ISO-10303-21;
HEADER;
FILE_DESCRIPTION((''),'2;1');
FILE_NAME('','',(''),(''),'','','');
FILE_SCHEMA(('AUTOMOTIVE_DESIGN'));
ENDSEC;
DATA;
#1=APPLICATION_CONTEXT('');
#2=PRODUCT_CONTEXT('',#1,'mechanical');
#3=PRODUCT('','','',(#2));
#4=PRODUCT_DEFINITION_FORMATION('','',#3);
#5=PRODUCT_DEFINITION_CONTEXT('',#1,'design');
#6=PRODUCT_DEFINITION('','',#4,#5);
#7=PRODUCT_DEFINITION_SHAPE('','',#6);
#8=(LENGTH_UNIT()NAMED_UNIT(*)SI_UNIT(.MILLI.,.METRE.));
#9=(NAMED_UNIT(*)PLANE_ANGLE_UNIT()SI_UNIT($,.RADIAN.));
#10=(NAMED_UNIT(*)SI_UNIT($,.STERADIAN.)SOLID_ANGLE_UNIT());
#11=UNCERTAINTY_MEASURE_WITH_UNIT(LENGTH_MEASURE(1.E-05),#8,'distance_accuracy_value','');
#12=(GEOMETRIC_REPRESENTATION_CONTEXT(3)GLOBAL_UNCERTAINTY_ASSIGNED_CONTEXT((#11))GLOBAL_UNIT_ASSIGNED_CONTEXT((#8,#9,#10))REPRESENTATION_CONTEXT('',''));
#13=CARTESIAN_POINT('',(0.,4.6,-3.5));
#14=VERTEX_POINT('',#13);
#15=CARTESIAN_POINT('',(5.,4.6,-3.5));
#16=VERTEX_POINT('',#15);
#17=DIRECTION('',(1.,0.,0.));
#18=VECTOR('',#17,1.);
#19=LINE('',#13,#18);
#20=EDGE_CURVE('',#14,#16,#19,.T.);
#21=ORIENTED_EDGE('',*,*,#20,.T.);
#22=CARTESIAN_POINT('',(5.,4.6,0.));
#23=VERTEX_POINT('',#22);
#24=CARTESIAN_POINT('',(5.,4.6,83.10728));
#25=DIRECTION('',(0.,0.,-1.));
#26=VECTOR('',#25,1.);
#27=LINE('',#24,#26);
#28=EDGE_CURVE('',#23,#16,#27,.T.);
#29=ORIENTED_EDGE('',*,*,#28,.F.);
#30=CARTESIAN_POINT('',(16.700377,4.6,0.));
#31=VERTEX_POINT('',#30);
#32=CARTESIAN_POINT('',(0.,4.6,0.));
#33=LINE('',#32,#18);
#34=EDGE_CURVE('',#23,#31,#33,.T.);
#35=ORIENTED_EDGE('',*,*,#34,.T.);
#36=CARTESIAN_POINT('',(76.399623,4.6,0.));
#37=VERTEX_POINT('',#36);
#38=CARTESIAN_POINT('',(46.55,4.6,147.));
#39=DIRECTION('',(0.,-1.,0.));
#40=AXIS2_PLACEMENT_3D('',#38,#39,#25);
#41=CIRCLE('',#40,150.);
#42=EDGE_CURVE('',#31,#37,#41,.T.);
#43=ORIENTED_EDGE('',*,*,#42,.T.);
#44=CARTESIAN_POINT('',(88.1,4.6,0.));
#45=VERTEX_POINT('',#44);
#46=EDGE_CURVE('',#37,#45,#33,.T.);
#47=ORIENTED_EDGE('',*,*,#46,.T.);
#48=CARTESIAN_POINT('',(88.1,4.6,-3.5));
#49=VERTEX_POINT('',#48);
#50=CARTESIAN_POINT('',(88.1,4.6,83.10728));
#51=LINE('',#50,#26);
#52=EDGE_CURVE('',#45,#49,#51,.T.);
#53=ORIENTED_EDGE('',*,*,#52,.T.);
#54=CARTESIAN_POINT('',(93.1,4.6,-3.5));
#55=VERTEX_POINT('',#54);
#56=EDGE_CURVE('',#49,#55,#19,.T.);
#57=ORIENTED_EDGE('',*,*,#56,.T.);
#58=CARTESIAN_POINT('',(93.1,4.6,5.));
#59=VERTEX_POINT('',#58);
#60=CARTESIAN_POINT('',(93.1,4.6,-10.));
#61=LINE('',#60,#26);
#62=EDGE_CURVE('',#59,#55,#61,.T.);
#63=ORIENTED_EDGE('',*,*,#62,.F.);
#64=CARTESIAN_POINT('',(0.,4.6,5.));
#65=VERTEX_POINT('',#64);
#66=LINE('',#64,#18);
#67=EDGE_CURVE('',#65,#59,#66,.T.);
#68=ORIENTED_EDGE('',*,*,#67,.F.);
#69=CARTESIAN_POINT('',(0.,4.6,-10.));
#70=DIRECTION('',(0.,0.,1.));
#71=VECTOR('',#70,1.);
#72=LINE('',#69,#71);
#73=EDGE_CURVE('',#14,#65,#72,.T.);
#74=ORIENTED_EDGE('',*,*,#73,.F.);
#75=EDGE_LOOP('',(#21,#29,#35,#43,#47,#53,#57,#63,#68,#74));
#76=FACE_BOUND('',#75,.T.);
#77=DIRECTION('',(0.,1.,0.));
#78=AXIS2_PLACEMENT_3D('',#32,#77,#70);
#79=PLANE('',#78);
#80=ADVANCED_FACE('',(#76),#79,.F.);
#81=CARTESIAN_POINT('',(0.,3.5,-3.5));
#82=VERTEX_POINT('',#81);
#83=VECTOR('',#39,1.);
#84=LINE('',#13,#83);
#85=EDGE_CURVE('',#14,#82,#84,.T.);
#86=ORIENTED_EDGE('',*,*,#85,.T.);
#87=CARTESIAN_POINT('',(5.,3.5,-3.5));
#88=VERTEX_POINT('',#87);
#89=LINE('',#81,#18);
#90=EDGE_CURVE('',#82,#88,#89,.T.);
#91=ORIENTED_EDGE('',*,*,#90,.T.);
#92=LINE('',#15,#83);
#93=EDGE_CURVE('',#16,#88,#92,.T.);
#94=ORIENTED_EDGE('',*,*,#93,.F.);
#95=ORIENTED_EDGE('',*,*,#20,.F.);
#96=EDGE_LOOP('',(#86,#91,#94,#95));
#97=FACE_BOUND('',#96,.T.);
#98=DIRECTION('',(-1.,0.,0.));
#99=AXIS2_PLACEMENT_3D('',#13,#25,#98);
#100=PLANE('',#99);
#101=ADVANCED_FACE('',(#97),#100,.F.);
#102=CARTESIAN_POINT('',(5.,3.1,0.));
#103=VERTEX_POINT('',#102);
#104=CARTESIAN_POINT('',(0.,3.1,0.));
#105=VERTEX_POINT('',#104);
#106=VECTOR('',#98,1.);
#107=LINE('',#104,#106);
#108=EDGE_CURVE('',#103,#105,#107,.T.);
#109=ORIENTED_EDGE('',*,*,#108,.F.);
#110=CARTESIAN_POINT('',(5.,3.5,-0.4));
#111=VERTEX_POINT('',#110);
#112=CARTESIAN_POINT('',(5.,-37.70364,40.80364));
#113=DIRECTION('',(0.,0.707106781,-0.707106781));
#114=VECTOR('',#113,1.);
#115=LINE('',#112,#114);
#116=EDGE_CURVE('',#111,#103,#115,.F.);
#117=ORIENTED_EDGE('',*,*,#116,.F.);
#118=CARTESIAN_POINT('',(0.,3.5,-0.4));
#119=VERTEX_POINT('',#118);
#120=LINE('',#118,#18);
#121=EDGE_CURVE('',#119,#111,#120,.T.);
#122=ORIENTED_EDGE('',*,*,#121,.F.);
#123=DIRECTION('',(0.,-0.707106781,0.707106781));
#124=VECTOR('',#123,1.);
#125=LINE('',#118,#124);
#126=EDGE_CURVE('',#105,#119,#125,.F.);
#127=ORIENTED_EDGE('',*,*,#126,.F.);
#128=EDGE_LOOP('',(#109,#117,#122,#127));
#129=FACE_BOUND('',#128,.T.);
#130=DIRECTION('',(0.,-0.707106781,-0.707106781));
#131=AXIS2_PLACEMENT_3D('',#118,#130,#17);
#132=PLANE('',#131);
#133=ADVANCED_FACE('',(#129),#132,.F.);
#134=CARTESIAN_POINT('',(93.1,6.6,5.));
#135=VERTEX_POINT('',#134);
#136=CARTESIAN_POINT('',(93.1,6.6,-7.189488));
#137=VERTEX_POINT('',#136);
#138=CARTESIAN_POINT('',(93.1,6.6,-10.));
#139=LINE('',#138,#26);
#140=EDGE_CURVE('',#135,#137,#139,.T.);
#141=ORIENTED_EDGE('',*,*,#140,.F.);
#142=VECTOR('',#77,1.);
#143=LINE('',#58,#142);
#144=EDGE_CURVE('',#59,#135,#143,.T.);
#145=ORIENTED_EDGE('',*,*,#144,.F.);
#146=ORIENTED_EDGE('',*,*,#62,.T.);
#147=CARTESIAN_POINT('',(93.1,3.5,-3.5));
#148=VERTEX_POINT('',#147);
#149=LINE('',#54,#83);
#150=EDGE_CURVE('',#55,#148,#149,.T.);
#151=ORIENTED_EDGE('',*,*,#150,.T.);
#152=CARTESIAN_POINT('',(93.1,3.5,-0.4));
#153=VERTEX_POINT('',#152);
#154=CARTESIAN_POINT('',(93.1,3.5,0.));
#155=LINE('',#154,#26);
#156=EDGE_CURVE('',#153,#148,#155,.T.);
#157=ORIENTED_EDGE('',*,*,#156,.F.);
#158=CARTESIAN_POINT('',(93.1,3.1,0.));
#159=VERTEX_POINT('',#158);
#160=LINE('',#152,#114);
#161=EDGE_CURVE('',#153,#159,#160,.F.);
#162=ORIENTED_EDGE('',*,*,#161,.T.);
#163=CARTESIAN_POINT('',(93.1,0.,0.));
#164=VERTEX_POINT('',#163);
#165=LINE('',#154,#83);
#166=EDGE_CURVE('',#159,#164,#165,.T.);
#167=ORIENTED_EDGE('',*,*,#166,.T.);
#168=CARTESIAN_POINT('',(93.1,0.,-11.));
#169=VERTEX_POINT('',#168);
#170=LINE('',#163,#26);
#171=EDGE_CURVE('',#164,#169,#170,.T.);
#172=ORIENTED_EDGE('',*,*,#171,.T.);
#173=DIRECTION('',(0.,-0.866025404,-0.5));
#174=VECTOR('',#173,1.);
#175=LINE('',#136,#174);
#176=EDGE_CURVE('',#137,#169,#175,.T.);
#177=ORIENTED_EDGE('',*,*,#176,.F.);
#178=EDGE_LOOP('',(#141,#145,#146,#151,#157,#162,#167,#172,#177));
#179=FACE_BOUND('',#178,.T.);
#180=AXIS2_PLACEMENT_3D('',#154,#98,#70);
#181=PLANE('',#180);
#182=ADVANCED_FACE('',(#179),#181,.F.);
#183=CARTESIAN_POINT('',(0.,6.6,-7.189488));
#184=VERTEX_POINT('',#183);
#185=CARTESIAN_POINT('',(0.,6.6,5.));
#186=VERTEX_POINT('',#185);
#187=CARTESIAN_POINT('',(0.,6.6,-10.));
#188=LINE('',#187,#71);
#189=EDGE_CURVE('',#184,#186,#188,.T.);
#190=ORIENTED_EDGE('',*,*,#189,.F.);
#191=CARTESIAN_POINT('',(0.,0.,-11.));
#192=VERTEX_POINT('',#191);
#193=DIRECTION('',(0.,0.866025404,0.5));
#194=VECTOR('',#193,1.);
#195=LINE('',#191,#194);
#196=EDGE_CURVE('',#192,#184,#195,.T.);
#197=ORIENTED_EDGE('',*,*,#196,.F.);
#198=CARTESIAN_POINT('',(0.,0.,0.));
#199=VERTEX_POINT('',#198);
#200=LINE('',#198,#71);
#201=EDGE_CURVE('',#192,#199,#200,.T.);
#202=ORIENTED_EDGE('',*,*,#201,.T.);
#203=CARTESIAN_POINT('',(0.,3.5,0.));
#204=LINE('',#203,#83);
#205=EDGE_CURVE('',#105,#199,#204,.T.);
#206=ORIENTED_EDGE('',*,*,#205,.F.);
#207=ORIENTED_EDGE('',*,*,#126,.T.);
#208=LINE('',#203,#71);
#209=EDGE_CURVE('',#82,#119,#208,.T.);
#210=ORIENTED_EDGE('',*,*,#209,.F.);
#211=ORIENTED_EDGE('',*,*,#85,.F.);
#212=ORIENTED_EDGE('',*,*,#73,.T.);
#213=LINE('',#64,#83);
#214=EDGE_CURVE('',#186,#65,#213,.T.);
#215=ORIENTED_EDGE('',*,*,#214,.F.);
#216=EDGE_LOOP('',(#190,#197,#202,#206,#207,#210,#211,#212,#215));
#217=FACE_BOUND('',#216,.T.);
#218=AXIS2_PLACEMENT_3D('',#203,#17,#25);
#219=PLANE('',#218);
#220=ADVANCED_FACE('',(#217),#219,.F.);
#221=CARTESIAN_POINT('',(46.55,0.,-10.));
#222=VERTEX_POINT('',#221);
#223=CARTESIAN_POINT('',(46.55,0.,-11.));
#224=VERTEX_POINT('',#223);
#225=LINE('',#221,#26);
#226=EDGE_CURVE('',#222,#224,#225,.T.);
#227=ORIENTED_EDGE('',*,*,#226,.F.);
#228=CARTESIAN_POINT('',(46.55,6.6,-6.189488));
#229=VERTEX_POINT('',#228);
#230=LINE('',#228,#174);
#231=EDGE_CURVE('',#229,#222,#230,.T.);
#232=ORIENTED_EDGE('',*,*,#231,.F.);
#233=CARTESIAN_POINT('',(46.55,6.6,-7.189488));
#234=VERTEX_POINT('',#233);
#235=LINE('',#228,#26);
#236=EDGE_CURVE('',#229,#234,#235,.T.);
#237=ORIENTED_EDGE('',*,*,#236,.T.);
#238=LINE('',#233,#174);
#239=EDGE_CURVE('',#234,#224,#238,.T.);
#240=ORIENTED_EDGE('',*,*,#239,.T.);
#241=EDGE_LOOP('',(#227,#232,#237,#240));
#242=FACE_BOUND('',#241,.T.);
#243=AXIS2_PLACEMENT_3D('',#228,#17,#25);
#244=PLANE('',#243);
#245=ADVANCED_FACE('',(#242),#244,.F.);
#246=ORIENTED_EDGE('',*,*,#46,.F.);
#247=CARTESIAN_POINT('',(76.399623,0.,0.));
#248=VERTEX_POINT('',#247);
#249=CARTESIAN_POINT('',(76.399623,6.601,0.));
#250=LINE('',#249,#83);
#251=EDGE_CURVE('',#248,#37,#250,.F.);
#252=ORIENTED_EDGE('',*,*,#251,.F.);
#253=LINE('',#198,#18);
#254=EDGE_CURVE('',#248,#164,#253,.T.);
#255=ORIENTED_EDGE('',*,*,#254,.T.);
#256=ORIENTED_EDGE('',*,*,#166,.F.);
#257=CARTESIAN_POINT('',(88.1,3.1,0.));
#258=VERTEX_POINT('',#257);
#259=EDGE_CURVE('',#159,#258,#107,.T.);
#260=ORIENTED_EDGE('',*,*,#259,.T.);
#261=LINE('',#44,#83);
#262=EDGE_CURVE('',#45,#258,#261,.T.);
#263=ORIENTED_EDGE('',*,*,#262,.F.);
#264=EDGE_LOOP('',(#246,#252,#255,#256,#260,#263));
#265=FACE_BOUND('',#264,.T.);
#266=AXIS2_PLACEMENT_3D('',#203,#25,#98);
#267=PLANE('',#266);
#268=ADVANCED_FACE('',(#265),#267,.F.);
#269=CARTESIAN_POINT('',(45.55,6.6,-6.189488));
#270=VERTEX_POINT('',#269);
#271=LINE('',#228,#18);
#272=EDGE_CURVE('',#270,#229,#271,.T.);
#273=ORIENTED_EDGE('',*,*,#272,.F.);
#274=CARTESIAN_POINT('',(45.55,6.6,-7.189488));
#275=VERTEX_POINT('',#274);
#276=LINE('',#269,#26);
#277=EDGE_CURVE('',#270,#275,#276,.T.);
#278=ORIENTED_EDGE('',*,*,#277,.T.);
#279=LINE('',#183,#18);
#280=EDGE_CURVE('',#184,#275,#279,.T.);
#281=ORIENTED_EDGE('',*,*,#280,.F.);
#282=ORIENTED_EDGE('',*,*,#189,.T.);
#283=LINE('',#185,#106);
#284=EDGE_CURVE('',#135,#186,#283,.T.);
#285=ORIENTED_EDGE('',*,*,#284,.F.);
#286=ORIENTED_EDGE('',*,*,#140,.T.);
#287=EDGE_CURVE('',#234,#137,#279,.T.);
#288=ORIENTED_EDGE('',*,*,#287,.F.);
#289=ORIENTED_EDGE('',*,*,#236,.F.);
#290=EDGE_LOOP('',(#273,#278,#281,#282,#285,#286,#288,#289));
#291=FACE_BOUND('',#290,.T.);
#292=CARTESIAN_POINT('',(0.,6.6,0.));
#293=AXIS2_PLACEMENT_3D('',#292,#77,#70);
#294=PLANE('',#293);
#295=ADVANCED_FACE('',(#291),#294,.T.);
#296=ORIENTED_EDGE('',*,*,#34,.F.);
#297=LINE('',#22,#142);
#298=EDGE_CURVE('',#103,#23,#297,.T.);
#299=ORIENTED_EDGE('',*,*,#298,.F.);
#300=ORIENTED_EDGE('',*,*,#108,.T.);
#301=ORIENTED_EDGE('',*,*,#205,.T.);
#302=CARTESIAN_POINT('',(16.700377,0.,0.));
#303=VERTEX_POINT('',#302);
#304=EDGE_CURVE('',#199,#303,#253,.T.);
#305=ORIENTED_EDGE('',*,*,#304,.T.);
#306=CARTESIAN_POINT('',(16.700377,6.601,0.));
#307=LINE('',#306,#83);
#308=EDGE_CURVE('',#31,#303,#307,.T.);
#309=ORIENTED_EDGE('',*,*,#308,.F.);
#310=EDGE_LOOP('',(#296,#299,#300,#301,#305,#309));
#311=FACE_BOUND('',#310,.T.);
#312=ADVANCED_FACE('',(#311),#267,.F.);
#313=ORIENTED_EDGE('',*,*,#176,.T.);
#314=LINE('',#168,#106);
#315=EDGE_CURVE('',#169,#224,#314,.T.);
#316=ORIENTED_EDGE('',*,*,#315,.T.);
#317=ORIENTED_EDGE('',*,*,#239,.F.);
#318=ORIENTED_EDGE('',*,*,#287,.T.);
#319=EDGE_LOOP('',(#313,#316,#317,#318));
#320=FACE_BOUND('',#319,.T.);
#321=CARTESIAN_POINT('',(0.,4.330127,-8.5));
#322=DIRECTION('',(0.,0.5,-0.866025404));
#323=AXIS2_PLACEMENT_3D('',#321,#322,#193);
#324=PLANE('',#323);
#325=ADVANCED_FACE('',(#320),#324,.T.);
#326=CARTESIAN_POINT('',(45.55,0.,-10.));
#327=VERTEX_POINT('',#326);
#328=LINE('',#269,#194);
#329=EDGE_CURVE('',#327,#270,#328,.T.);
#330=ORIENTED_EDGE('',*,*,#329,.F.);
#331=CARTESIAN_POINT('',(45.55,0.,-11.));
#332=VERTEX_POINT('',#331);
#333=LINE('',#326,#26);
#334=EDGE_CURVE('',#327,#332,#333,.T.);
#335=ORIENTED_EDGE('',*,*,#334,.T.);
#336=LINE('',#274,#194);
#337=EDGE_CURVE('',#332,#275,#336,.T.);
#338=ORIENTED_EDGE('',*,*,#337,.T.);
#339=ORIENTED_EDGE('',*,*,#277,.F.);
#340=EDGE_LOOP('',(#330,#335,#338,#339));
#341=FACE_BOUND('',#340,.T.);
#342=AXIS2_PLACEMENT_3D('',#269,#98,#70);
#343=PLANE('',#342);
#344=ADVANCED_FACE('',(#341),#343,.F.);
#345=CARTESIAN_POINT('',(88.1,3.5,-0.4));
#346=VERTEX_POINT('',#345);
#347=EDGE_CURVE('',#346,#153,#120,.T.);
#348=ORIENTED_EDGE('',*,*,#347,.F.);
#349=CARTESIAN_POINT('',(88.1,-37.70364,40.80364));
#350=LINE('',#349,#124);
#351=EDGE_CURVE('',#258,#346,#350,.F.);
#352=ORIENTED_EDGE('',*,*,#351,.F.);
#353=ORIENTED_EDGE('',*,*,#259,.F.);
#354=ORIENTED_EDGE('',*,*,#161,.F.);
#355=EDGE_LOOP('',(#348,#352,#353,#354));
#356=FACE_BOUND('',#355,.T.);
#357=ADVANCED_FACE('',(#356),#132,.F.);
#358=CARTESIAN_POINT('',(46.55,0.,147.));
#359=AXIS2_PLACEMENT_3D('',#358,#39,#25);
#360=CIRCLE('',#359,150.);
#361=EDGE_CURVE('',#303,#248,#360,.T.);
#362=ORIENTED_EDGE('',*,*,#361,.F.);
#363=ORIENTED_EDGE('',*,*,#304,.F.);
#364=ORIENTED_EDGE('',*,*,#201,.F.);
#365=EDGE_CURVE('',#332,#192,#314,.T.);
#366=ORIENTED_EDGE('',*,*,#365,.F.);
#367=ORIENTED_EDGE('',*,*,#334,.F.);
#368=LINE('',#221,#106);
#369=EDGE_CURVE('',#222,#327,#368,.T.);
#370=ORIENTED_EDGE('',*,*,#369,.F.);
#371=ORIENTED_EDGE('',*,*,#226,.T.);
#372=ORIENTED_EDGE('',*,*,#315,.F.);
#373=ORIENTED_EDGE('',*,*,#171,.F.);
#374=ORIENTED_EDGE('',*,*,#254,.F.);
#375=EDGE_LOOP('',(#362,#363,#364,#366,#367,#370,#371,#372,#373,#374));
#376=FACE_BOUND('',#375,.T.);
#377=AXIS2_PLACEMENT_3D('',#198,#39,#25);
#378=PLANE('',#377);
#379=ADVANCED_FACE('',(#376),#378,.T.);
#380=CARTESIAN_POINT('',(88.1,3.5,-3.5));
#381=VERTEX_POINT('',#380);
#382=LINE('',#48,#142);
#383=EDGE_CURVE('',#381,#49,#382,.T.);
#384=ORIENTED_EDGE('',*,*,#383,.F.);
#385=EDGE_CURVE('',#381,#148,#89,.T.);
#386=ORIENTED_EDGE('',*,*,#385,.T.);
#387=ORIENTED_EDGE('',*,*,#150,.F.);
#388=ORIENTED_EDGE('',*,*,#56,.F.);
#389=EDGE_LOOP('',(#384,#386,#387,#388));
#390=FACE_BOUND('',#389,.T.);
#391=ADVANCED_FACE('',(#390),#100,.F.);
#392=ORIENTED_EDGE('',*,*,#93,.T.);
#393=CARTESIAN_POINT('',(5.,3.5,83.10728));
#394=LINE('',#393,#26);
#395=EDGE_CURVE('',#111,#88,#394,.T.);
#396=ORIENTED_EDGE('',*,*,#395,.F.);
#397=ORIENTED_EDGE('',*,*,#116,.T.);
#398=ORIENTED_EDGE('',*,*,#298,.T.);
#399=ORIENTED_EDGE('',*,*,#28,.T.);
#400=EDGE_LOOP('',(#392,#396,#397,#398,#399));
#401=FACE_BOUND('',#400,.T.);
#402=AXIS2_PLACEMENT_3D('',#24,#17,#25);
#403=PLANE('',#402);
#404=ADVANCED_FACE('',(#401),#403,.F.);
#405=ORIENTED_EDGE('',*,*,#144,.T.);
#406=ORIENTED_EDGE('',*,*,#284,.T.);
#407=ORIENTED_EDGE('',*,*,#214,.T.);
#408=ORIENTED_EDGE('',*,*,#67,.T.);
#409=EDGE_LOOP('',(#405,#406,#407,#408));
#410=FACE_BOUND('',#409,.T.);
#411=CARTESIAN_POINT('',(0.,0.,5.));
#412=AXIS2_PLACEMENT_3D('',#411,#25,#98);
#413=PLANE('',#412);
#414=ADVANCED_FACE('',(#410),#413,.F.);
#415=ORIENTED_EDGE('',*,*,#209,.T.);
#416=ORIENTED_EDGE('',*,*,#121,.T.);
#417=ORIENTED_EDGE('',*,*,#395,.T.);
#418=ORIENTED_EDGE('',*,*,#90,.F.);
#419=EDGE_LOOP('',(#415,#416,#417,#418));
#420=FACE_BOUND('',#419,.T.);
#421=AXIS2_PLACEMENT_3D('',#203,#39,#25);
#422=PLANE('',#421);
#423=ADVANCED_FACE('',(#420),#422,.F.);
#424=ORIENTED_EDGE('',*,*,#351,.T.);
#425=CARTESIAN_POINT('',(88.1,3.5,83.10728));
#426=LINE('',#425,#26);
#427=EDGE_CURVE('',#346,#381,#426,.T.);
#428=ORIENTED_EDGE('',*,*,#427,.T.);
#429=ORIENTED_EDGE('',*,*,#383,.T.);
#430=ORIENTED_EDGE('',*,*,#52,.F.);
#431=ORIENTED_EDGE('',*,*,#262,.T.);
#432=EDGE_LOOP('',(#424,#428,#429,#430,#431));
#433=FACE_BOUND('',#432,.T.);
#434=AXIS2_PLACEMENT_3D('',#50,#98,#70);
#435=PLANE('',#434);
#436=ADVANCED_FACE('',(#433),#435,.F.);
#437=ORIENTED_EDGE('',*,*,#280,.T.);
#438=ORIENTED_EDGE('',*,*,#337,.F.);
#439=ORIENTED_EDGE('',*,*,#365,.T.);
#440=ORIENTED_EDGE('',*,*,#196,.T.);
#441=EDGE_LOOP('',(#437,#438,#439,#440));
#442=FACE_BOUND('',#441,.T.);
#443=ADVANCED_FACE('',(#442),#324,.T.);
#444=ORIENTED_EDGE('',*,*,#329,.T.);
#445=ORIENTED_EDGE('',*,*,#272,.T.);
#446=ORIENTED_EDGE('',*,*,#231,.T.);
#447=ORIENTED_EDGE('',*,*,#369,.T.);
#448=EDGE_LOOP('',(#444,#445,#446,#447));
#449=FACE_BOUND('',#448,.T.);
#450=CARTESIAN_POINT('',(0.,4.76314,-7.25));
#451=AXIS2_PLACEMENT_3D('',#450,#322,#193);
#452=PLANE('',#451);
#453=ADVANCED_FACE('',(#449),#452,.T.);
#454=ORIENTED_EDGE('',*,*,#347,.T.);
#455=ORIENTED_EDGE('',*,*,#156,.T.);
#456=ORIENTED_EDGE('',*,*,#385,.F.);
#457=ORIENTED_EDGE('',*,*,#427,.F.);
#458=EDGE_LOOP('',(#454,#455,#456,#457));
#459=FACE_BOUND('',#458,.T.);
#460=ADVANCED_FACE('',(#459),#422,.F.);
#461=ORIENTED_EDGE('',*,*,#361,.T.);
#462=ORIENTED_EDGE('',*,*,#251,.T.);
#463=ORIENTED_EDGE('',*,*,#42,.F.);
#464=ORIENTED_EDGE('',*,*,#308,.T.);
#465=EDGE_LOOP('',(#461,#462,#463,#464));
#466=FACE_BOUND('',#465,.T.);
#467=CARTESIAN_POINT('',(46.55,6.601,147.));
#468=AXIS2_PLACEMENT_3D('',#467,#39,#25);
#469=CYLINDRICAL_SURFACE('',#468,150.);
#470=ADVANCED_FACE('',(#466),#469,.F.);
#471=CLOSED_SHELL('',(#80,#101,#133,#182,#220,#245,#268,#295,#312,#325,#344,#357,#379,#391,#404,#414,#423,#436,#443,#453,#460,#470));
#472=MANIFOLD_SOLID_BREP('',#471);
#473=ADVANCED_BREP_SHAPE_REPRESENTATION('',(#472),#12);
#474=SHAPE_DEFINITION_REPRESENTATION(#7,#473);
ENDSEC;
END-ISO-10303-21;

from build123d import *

# Parameters (mm, degrees)
SKETCH_2_W                  = 93.1
SKETCH_2_H                  = 10
EXTRUDE_1_DEPTH             = 3.5
SKETCH_4_W                  = 93.1
SKETCH_4_H                  = 6.5
EXTRUDE_2_DEPTH             = 1.1
SKETCH_5_W                  = 93.1
SKETCH_5_H                  = 10
EXTRUDE_3_DEPTH             = 2
CUT_EXTRUDE_1_DEPTH         = 94.867832616
SKETCH_7_W                  = 83.1
SKETCH_7_H                  = 1.1
EXTRUDE_4_DEPTH             = 3.5
CHAMFER_1_SIZE              = 0.4
CUT_EXTRUDE_2_REACH         = 95.868
SKETCH_8_R                  = 150
SKETCH_9_W                  = 93.1
SKETCH_9_H                  = 2
EXTRUDE_5_DEPTH             = 5
EXTRUDE_5_DIRECTION_2_REACH = 95.868
SKETCH_10_W                 = 93.1
SKETCH_10_H                 = 7.621023553
EXTRUDE_6_DEPTH             = 1
SKETCH_11_W                 = 1
SKETCH_11_H                 = 7.621023553
CUT_EXTRUDE_3_DEPTH         = 1


with BuildPart() as part:
    # 草图2 → 凸台-拉伸1 (new body)
    with BuildSketch(Plane(origin=(0, 0, 0), x_dir=(1, 0, 0), z_dir=(0, 1, 0))):
        with Locations((46.55, 5)):
            Rectangle(SKETCH_2_W, SKETCH_2_H)
    extrude(amount=EXTRUDE_1_DEPTH)

    # 草图4 → 凸台-拉伸2 (add)
    with BuildSketch(Plane(origin=(0, 3.5, 0), x_dir=(1, 0, 0), z_dir=(0, 1, 0))):
        with Locations((46.55, 6.75)):
            Rectangle(SKETCH_4_W, SKETCH_4_H)
    extrude(amount=EXTRUDE_2_DEPTH)

    # 草图5 → 凸台-拉伸3 (add)
    with BuildSketch(Plane(origin=(0, 4.6, 0), x_dir=(1, 0, 0), z_dir=(0, 1, 0))):
        with Locations((46.55, 5)):
            Rectangle(SKETCH_5_W, SKETCH_5_H)
    extrude(amount=EXTRUDE_3_DEPTH)

    # 草图6 → 切除-拉伸1 (cut, through all)
    with BuildSketch(Plane.ZY):
        Polygon((-10, 0), (-6.189488223, 6.6), (-10, 6.6), align=None)
    extrude(amount=-CUT_EXTRUDE_1_DEPTH, mode=Mode.SUBTRACT)

    # 草图7 → 凸台-拉伸4 (add)
    with BuildSketch(Plane.XY.offset(-3.5)):
        with Locations((46.55, 4.05)):
            Rectangle(SKETCH_7_W, SKETCH_7_H)
    extrude(amount=EXTRUDE_4_DEPTH)

    # 倒角1
    chamfer_1_edges = [part.edges().sort_by_distance(p)[0] for p in [
        (90.6, 3.5, 0),
        (2.5, 3.5, 0),
    ]]
    chamfer(chamfer_1_edges, length=CHAMFER_1_SIZE)

    # 草图8 → 切除-拉伸2 (cut, up to next)
    with BuildSketch(Plane.XZ, mode=Mode.PRIVATE) as cut_extrude_2_sk1:
        with Locations((46.55, 147)):
            Circle(SKETCH_8_R)
    cut_extrude_2_tool1 = extrude(cut_extrude_2_sk1.sketch, amount=-CUT_EXTRUDE_2_REACH, mode=Mode.PRIVATE) & part.part
    add(cut_extrude_2_tool1.solids().sort_by_distance((46.55, 0, 147))[0], mode=Mode.SUBTRACT)

    # 草图9 → 凸台-拉伸5 (add)
    with BuildSketch(Plane.XY):
        with Locations((46.55, 5.6)):
            Rectangle(SKETCH_9_W, SKETCH_9_H)
    extrude(amount=EXTRUDE_5_DEPTH)

    # 草图9 → 凸台-拉伸5 direction 2 (add, up to next)
    with BuildSketch(Plane.XY, mode=Mode.PRIVATE) as extrude_5_direction_2_sk1:
        with Locations((46.55, 5.6)):
            Rectangle(SKETCH_9_W, SKETCH_9_H)
    extrude_5_direction_2_tool1 = extrude(extrude_5_direction_2_sk1.sketch, amount=-EXTRUDE_5_DIRECTION_2_REACH, mode=Mode.PRIVATE) - part.part
    add(extrude_5_direction_2_tool1.solids().sort_by_distance((46.55, 5.6, 0))[0])

    # 草图10 → 凸台-拉伸6 (add, along a direction that is not the sketch's normal)
    with BuildSketch(Plane(origin=(0, 4.330127019, -7.5), x_dir=(-1, 0, 0), z_dir=(0, 0.4999999999999947, -0.8660254037844417))):
        with Locations((-46.55, -1.189488223)):
            Rectangle(SKETCH_10_W, SKETCH_10_H)
    extrude(amount=EXTRUDE_6_DEPTH, dir=(0, 0, -1))

    # 草图11 → 切除-拉伸3 (cut, along a direction that is not the sketch's normal)
    with BuildSketch(Plane(origin=(0, 4.763139721, -8.25), x_dir=(-1, 0, 0), z_dir=(0, 0.49999999999999484, -0.8660254037844418))):
        with Locations((-46.05, -1.689488223)):
            Rectangle(SKETCH_11_W, SKETCH_11_H)
    extrude(amount=-CUT_EXTRUDE_3_DEPTH, dir=(0, 0, -1), mode=Mode.SUBTRACT)


solid = part.part
